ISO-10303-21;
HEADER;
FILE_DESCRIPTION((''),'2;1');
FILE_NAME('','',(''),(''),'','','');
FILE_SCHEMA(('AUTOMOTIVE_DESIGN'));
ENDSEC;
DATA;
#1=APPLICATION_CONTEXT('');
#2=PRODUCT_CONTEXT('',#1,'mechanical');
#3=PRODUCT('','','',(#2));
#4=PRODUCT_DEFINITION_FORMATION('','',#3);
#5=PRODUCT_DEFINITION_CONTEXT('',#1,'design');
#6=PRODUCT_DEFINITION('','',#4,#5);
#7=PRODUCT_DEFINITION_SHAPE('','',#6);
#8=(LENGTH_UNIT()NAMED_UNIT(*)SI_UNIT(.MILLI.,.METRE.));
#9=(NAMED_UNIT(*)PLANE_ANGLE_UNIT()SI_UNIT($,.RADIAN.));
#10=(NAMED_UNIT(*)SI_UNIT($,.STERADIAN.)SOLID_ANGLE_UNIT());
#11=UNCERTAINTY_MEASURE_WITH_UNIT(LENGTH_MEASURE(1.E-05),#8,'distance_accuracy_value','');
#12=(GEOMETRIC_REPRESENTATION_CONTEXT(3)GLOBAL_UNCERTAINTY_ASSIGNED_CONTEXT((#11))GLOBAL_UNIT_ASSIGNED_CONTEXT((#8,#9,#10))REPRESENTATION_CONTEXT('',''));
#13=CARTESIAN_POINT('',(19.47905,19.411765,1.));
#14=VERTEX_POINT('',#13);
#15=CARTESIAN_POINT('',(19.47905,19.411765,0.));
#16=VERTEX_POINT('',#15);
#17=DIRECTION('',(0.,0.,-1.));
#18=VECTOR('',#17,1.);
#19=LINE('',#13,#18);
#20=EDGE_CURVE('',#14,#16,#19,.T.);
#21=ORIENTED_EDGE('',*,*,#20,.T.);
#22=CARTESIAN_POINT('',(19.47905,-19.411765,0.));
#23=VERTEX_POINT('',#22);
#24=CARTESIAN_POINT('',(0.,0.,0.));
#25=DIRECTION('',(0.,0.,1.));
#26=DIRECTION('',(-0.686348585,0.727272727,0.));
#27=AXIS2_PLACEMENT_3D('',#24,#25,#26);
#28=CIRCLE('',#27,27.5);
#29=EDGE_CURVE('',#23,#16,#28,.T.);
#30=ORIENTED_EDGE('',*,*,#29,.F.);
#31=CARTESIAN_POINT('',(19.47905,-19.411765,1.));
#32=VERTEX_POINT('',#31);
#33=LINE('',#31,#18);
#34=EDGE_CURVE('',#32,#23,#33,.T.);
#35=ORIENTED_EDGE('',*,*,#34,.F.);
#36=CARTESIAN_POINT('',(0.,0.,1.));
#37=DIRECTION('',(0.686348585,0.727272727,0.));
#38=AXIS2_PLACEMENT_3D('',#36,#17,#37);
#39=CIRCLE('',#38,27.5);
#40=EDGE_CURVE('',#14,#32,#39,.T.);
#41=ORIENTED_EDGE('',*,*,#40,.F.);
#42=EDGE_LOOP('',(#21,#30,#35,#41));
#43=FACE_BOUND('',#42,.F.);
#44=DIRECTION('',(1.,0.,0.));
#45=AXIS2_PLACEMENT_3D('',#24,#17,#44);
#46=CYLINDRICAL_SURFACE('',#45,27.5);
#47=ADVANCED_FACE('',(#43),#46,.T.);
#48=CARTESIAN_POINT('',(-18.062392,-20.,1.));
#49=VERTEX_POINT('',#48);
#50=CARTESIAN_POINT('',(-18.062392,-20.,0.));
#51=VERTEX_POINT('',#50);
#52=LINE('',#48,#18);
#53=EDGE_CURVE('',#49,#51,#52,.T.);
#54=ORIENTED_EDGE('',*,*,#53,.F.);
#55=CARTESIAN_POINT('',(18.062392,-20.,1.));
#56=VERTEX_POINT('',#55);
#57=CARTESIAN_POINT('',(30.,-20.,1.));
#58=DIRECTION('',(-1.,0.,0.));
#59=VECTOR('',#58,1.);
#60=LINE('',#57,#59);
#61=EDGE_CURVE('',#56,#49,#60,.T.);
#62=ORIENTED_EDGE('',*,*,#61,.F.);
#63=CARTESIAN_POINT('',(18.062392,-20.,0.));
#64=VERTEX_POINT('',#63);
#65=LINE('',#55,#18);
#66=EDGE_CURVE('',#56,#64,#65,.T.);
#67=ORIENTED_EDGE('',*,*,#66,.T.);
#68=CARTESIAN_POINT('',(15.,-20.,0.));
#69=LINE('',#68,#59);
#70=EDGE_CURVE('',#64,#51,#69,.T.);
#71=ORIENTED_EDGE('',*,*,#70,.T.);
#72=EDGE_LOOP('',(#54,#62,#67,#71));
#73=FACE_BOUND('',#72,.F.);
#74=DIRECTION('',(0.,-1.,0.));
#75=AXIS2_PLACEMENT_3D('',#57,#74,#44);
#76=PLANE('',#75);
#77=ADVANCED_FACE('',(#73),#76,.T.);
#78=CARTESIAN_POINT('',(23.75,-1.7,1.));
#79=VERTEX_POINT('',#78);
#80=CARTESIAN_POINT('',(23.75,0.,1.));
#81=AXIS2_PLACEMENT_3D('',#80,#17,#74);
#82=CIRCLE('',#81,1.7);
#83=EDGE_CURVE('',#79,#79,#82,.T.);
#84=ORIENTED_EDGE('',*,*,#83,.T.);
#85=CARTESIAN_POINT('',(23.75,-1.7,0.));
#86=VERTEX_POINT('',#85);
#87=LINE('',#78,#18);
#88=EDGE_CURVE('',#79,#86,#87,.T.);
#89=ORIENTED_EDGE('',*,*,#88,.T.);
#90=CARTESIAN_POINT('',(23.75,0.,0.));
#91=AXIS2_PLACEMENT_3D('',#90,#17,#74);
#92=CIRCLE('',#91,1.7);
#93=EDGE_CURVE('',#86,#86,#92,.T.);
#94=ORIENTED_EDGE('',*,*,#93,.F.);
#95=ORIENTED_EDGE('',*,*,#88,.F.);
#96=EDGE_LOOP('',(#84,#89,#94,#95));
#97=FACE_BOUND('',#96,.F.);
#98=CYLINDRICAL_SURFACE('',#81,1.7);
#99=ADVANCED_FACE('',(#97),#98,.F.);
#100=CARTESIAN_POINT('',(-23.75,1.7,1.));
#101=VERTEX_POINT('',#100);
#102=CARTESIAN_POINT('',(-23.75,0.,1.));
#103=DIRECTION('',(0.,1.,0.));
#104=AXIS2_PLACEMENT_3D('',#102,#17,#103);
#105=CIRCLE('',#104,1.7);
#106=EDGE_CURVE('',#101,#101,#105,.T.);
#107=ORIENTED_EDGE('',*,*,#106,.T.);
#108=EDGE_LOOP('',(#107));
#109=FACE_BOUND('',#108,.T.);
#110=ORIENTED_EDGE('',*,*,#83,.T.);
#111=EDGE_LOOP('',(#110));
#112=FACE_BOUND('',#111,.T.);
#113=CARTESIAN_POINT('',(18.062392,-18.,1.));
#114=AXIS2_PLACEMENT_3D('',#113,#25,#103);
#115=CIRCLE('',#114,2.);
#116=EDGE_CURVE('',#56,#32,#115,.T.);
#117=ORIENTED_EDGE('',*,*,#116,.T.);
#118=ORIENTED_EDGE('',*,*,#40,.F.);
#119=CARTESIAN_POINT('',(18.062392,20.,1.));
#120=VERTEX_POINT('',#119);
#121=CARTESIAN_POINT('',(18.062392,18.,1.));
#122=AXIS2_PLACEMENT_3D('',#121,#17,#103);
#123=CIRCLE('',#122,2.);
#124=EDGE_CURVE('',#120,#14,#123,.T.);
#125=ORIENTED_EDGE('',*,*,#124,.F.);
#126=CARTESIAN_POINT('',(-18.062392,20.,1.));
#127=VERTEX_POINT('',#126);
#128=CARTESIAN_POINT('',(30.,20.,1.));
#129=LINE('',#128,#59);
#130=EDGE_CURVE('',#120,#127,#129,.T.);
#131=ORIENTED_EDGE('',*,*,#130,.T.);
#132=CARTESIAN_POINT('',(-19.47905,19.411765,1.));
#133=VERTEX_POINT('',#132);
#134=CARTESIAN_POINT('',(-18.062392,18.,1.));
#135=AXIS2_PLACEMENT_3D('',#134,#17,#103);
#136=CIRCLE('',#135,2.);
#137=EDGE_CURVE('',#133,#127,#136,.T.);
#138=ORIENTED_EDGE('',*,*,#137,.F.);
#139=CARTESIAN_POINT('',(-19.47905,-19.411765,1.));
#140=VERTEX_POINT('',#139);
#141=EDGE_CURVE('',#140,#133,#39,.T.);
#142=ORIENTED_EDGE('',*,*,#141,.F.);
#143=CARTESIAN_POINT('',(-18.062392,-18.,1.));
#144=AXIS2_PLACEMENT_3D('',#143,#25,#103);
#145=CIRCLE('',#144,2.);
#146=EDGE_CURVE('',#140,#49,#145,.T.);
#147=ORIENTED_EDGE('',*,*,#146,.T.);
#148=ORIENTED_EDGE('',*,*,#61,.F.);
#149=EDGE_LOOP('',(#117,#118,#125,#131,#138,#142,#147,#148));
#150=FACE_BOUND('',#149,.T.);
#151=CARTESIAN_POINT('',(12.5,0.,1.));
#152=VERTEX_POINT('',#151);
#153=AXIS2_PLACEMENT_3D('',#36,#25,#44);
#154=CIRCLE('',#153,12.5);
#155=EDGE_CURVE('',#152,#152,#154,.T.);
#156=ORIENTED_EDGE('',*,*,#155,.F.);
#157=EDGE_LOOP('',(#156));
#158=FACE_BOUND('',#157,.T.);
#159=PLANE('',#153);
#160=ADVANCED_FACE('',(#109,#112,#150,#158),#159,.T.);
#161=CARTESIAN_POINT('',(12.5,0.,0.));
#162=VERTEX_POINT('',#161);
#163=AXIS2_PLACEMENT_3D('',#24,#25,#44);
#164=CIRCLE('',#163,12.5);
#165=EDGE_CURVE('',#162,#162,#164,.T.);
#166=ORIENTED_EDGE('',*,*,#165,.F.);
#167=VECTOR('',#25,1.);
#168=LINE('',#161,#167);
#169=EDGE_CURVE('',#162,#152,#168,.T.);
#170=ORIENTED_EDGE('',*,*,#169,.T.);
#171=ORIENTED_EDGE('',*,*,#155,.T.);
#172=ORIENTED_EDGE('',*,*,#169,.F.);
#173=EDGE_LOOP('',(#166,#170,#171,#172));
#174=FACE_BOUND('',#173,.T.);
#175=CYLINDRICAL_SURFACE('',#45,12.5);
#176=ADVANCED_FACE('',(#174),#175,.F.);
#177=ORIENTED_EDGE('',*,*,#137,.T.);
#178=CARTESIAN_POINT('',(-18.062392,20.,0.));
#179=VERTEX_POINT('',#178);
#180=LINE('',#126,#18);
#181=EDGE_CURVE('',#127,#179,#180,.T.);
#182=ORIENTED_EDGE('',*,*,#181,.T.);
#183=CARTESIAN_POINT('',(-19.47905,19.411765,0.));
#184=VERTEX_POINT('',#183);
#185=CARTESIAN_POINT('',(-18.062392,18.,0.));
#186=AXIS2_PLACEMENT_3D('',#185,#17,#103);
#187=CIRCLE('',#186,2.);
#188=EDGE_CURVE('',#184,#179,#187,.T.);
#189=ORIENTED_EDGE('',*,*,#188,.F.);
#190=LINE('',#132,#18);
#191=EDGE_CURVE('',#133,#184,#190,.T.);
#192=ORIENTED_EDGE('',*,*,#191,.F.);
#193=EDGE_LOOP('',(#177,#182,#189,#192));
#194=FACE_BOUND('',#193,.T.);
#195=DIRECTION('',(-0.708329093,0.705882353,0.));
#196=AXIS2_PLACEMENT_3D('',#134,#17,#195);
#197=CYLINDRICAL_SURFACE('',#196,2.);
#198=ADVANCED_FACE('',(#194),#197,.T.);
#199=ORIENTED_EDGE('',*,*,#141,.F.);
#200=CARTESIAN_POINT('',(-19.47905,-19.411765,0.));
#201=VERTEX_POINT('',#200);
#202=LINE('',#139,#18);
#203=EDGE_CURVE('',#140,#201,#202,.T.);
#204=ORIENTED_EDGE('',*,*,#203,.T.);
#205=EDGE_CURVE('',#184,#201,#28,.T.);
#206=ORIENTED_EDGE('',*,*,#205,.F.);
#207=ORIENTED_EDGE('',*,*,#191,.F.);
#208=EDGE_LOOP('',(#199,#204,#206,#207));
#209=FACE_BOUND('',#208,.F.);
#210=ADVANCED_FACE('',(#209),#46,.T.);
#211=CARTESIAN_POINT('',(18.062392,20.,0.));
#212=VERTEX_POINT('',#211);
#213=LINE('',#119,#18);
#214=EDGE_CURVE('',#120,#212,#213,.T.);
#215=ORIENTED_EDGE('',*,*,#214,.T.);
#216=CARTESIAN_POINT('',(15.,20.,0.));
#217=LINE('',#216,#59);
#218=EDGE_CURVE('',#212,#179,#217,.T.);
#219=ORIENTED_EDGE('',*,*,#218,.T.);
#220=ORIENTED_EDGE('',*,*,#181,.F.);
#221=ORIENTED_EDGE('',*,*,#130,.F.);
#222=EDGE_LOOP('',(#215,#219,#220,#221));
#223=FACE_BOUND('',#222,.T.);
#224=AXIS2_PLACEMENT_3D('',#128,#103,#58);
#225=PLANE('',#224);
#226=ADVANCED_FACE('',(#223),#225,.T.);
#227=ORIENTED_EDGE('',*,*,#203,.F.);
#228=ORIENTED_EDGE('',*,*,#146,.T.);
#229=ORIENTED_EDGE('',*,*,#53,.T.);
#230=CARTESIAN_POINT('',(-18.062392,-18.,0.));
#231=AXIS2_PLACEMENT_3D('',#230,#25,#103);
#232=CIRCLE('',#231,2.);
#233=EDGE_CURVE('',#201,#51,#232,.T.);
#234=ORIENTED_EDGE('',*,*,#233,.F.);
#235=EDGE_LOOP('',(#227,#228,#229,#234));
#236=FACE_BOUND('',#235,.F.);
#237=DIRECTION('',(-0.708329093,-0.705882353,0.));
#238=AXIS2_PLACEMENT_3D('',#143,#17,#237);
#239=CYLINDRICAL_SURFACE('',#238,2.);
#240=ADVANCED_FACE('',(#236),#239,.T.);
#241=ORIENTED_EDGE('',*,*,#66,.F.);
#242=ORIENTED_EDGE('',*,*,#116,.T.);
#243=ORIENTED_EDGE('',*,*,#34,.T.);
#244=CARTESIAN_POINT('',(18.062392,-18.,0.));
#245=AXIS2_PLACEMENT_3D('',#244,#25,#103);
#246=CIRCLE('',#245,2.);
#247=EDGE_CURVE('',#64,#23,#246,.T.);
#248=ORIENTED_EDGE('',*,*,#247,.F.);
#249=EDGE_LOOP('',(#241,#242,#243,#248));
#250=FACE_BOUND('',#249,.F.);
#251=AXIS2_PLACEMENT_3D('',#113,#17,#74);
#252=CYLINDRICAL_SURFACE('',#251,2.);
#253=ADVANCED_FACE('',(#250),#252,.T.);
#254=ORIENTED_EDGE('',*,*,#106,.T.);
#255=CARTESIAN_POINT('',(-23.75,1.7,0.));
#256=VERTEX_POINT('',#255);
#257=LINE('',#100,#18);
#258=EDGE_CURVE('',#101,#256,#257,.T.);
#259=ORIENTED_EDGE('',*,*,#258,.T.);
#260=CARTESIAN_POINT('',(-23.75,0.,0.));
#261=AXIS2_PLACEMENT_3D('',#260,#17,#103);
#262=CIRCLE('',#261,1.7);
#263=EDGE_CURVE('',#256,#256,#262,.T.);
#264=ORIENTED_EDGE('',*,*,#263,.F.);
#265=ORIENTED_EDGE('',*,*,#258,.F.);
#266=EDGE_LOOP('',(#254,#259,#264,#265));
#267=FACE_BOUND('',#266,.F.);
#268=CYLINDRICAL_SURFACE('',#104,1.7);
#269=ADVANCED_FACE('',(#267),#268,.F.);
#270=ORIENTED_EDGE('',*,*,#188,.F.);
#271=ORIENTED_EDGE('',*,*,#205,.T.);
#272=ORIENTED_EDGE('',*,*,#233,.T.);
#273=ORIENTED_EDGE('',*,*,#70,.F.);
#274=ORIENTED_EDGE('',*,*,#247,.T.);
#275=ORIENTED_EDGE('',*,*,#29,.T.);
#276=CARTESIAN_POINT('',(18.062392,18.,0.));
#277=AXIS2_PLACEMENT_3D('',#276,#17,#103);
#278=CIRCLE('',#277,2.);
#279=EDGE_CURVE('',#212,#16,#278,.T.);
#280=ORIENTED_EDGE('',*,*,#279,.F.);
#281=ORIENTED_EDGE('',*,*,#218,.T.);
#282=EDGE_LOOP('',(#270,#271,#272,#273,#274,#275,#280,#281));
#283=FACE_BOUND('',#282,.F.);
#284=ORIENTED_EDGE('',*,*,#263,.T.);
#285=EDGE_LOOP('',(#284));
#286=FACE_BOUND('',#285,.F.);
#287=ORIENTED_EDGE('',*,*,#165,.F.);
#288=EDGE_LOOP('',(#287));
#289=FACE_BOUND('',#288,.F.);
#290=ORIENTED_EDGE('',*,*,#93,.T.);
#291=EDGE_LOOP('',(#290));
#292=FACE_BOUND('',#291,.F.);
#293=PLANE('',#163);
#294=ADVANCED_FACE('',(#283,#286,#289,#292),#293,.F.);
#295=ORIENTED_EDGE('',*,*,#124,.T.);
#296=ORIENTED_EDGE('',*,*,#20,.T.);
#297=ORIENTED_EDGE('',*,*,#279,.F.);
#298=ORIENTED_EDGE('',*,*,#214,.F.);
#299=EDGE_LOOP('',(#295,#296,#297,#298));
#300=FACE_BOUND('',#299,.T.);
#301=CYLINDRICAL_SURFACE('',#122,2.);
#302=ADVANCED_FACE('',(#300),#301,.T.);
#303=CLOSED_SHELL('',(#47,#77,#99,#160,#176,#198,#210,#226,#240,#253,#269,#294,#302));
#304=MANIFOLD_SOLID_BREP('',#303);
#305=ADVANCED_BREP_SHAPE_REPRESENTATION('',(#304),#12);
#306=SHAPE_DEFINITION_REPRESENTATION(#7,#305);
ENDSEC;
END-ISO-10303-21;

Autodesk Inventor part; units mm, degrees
ref_plane "YZ Plane" through (0, 0, 0) normal (1, 0, 0) x (0, 1, 0)
ref_plane "XZ Plane" through (0, 0, 0) normal (0, 1, 0) x (-1, 0, 0)
ref_plane "XY Plane" through (0, 0, 0) normal (0, 0, 1) x (1, 0, 0)
sketch "Sketch1" plane through (0, 0, 0) normal (0, 0, 1) x (1, 0, 0)
  circle A0 centre (0, 0) radius 12.5
  circle A1 centre (0, 0) radius 27.5
  dimension "d2" = 25
  dimension "d3" = 55
extrude "Extrusion1" add sketch "Sketch1" along normal blind 1
sketch "Sketch2" plane through (0, 0, 1) normal (0, 0, 1) x (1, 0, 0)
  circle A0 centre (0, 0) radius 23.75 construction
  point P0 (23.75, 0)
  dimension "d4" = 47.5
hole "Hole1" at (23.75, 0, 1) direction (0, 0, -1) diameter 3.4 end through all
pattern_circular "Circular Pattern1" count 4 over 360 about axis through (0, 0, 0) along (0, 0, 1) of "Hole1"
sketch "Sketch3" plane through (0, 0, 1) normal (0, 0, 1) x (1, 0, 0)
  line L0 (-30, 30) -> (30, 30)
  line L1 (30, 30) -> (30, 20)
  line L2 (30, 20) -> (-30, 20)
  line L3 (-30, 20) -> (-30, 30)
  point P0 (0, 0)
  point P1 (0, 20)
  dimension "d15" = 20
  dimension "d16" = 60
  dimension "d17" = 10
extrude "Extrusion2" cut sketch "Sketch3" against normal through all
mirror "Mirror1" about plane through (0, 0, 0) normal (0, 1, 0) of "Extrusion2"
fillet "Fillet2" radius 2 4 edges at (-18.8746, 20, 0.5) (18.8746, 20, 0.5) (-18.8746, -20, 0.5) (18.8746, -20, 0.5)
properties part number "Plasma Box Slit" material "Stainless Steel"
